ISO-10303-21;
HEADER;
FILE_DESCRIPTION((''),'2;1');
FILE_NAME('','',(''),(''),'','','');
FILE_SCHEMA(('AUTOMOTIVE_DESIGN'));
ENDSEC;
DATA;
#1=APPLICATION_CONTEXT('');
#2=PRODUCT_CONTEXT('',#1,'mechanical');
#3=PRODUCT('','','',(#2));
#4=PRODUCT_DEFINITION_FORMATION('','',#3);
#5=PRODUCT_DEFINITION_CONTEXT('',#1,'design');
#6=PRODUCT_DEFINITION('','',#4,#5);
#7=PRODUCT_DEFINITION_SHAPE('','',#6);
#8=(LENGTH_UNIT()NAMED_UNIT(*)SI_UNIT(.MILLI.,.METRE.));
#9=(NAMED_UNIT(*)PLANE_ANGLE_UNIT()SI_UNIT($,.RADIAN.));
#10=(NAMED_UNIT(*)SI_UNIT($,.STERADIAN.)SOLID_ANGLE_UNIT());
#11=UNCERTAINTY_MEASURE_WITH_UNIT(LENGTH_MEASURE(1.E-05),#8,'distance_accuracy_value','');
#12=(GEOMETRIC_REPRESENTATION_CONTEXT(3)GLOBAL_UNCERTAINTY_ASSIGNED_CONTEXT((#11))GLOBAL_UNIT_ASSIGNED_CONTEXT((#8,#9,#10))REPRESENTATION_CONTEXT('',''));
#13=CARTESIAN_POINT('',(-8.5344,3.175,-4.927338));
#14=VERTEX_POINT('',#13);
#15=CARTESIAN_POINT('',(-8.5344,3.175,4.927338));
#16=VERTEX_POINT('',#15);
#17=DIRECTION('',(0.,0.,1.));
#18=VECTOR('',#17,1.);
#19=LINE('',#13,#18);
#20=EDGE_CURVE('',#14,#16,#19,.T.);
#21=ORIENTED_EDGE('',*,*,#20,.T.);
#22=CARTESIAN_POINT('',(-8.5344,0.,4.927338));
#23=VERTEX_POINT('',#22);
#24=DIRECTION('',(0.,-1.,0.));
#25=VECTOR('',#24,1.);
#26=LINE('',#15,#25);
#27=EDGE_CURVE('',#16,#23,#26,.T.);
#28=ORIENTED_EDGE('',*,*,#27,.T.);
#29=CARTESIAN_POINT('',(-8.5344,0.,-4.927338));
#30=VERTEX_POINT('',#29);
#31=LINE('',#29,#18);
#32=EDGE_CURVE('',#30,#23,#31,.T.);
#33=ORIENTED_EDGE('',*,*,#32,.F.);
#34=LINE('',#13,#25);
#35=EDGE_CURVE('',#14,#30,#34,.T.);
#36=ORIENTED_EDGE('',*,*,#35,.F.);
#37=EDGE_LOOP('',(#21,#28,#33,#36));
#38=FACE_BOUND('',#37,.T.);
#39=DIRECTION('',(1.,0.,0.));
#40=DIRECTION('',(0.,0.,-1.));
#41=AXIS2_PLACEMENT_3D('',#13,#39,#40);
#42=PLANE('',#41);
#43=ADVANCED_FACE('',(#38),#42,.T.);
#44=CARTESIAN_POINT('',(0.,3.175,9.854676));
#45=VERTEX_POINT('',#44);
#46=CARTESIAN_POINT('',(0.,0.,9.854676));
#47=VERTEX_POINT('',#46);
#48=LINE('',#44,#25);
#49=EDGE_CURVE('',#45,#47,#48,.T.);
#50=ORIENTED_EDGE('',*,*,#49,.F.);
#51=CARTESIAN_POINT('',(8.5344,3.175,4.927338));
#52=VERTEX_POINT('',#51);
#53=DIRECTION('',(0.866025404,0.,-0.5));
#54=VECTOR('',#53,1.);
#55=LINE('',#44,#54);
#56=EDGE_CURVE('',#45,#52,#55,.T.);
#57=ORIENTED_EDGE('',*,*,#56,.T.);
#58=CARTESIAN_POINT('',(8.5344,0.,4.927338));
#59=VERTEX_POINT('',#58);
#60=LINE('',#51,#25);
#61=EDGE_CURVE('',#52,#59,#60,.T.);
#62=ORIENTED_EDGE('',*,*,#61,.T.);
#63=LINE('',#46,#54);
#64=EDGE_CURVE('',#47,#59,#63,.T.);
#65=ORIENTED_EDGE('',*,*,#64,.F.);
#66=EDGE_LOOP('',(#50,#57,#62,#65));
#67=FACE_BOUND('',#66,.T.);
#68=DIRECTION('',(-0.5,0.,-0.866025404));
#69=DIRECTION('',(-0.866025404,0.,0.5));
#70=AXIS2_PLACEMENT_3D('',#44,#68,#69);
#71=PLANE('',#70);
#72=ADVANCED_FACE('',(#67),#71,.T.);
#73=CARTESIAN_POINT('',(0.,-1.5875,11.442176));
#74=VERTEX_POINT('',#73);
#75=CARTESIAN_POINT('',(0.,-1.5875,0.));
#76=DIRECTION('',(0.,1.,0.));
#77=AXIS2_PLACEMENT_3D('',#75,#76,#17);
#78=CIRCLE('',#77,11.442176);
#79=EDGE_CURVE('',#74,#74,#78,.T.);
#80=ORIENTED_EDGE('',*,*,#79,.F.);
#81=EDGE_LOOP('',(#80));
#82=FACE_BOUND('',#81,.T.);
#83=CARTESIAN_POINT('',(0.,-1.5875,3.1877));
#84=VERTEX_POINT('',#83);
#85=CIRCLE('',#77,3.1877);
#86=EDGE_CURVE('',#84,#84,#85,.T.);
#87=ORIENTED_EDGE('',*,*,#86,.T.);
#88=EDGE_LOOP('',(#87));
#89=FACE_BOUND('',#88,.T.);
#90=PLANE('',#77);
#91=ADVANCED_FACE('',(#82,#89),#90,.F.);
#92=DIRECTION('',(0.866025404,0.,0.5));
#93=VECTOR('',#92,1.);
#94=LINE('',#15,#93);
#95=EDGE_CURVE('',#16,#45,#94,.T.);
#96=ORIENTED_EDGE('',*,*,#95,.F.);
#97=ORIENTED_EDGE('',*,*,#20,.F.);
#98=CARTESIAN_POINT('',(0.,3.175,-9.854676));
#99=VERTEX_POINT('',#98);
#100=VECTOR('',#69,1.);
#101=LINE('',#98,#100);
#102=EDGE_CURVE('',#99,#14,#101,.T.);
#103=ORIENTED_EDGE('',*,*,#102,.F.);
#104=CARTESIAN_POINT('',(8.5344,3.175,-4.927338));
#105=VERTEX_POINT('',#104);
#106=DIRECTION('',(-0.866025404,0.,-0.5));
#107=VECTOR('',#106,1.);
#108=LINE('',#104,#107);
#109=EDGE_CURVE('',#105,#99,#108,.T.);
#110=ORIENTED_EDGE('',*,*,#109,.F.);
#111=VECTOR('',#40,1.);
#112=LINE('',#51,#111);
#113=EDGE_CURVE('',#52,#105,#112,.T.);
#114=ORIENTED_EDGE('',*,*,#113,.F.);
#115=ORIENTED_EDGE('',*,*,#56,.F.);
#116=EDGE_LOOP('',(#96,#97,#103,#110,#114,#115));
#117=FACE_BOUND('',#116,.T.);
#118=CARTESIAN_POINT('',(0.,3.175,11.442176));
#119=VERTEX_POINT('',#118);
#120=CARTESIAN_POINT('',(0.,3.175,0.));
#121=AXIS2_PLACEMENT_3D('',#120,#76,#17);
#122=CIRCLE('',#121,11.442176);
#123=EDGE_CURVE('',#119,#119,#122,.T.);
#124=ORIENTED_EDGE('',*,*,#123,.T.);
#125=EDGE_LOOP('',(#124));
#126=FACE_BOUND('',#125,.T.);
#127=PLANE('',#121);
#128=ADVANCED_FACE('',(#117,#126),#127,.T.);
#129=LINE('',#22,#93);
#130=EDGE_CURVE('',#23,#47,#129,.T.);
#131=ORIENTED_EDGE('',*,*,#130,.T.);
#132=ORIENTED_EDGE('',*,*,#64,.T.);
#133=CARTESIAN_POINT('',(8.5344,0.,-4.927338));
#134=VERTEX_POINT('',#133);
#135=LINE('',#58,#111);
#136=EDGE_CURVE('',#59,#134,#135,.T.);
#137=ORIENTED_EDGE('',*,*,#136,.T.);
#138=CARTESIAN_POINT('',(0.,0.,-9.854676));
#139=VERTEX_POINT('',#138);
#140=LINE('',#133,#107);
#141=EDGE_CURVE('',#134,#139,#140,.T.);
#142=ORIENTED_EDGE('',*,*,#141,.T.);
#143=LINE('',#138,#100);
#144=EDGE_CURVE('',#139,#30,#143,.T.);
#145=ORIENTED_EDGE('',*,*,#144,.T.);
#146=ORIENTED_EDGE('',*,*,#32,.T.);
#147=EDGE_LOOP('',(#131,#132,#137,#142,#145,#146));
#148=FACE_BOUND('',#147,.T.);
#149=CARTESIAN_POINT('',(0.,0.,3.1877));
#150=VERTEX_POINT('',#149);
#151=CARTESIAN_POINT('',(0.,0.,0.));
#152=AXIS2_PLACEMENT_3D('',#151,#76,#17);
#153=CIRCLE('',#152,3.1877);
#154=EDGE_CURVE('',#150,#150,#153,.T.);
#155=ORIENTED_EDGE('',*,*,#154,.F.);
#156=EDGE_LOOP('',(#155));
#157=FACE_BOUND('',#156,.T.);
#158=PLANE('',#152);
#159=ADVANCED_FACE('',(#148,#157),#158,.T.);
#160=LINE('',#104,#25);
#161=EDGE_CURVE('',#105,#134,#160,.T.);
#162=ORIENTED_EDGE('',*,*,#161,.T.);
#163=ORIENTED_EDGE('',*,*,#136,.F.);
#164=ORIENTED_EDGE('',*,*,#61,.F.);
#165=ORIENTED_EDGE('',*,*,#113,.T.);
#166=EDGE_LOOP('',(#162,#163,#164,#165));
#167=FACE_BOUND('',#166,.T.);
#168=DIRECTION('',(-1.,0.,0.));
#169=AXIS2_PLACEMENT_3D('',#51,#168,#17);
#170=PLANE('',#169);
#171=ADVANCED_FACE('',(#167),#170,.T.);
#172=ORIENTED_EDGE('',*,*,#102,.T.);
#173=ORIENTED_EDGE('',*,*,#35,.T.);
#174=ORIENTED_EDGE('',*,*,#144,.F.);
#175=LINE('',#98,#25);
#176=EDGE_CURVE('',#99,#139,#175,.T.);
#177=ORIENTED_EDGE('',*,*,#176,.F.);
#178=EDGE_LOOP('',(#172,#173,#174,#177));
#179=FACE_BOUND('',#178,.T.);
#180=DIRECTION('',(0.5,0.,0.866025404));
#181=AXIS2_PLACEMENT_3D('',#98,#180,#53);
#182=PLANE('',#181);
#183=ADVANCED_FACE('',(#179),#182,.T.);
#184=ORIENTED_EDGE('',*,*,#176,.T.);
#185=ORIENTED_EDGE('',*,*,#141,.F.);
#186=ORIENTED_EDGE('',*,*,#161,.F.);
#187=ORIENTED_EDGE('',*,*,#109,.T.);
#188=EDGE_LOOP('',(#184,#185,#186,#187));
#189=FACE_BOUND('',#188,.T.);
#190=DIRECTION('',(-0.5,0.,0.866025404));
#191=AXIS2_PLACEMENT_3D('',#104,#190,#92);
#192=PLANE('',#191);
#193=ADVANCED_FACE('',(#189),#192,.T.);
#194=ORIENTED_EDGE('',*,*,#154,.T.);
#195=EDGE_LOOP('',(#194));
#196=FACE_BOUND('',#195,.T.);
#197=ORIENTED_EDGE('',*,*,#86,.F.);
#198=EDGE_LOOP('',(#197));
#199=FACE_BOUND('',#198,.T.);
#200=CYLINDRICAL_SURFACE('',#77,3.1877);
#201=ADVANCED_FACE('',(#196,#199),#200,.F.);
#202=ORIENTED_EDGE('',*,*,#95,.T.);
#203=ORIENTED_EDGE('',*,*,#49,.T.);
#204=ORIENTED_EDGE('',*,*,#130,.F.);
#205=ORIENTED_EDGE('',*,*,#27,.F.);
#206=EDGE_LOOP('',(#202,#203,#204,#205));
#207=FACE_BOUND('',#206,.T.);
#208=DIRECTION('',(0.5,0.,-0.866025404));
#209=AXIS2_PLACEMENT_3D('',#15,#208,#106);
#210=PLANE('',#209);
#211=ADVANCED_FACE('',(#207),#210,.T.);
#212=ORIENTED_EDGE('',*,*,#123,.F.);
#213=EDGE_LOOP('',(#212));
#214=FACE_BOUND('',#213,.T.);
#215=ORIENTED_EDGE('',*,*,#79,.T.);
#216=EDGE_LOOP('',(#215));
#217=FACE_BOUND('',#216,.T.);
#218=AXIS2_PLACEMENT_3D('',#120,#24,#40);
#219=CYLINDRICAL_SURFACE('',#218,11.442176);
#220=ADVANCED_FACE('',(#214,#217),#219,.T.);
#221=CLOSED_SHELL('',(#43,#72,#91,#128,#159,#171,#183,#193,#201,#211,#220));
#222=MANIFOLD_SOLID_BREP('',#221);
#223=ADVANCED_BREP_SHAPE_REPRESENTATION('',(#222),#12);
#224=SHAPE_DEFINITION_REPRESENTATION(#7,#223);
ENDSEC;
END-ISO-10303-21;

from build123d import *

# Parameters (mm, degrees)
SKETCH1_R           = 11.442176275
BOSS_EXTRUDE1_DEPTH = 3.175
BOSS_EXTRUDE2_START = -1.5875
SKETCH2_R           = 11.442176275
SKETCH2_R_2         = 3.1877
BOSS_EXTRUDE2_DEPTH = 1.5875


with BuildPart() as part:
    # Sketch1 → Boss-Extrude1 (new body)
    with BuildSketch(Plane(origin=(0, 0, 0), x_dir=(1, 0, 0), z_dir=(0, 1, 0))):
        Circle(SKETCH1_R)
        Polygon((8.5344, 4.927338137), (0, 9.854676275), (-8.5344, 4.927338137), (-8.5344, -4.927338137), (0, -9.854676275), (8.5344, -4.927338137), align=None, mode=Mode.SUBTRACT)
    extrude(amount=BOSS_EXTRUDE1_DEPTH)

    # Sketch2 → Boss-Extrude2 (add)
    with BuildSketch(Plane(origin=(0, 0, 0), x_dir=(1, 0, 0), z_dir=(0, 1, 0)).offset(BOSS_EXTRUDE2_START)):
        Circle(SKETCH2_R)
        Circle(SKETCH2_R_2, mode=Mode.SUBTRACT)
    extrude(amount=BOSS_EXTRUDE2_DEPTH)


solid = part.part
